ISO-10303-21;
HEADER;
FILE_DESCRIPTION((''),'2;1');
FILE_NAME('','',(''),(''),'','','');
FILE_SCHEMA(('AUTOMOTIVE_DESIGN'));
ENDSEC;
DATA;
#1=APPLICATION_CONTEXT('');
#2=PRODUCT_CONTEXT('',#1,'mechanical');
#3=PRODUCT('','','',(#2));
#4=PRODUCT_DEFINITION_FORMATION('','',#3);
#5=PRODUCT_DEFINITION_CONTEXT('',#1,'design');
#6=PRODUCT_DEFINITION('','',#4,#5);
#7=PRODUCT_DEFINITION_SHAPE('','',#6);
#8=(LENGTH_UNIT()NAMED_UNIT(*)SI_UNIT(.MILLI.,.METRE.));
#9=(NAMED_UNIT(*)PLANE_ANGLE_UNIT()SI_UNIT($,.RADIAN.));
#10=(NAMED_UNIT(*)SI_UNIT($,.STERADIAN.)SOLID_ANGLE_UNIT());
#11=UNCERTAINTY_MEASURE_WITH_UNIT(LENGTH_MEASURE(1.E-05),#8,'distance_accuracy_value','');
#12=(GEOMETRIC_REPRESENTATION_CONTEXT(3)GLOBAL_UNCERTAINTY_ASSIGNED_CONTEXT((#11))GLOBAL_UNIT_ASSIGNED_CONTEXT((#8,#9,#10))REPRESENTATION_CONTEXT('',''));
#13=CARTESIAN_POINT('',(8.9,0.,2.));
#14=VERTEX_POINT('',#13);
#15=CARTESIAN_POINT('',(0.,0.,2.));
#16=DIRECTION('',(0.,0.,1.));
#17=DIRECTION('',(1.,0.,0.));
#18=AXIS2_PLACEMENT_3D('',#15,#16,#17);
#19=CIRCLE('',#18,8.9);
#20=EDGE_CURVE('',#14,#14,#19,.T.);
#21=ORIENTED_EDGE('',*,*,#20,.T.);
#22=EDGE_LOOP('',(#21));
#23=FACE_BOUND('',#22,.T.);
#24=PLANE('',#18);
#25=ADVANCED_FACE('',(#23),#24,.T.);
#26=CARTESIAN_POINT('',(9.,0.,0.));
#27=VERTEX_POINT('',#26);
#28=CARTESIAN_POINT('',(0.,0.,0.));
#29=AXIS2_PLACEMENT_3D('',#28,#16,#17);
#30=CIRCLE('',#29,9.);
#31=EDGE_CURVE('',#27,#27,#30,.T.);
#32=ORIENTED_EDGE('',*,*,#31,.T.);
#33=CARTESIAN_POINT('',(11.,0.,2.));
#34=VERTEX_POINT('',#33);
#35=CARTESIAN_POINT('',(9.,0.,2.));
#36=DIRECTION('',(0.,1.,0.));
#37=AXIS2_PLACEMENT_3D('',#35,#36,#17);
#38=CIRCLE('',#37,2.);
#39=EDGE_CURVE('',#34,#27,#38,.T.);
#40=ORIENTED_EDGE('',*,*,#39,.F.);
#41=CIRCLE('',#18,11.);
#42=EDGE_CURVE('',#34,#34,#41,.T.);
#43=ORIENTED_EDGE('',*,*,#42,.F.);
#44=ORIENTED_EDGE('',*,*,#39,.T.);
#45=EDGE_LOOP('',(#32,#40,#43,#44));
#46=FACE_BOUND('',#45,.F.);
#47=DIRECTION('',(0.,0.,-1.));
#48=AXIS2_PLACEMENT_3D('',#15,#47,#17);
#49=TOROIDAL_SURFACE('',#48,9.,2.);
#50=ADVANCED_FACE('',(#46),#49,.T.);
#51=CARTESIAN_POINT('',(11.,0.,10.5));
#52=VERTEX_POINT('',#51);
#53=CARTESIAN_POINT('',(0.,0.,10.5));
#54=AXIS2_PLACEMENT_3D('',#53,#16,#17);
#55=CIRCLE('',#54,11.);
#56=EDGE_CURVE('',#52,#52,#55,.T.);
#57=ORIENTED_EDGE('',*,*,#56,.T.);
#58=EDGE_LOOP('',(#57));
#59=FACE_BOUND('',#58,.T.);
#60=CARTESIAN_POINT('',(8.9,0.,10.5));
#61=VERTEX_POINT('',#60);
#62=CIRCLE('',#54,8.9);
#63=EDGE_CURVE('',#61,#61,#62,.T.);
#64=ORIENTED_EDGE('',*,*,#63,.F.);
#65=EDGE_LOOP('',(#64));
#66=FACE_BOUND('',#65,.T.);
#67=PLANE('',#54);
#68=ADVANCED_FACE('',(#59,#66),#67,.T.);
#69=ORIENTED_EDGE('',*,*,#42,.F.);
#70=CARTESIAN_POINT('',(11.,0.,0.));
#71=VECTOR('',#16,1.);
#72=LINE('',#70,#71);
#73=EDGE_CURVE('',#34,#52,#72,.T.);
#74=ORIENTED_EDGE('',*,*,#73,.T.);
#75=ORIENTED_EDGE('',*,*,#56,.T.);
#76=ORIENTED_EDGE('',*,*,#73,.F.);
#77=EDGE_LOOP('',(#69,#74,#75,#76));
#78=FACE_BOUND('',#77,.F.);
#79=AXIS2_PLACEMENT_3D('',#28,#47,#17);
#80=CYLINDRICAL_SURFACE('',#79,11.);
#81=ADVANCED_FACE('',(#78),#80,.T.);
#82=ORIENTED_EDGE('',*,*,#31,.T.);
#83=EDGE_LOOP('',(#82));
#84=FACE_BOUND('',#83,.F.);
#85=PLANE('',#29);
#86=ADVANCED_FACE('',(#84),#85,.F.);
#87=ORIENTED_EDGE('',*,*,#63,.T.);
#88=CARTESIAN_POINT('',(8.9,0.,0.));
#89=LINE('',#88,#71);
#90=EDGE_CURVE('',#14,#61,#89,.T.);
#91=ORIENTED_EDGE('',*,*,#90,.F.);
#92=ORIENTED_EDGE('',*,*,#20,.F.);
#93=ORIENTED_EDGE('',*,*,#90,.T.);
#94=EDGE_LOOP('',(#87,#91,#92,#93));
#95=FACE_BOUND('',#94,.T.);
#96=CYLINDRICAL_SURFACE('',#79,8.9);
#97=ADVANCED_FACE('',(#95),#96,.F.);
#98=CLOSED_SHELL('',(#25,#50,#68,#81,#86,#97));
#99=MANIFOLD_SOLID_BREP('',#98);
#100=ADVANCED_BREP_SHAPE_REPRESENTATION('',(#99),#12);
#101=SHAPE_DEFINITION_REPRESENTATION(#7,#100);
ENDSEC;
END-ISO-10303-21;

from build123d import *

# Parameters (mm, degrees)
F0_R     = 8.9
F1_DEPTH = 2
F0_R_2   = 11
F2_DEPTH = 10.5
F3_R     = 2


with BuildPart() as f1:
    # F0 (on Top) → F1 (new body)
    with BuildSketch(Plane.XY):
        Circle(F0_R)
    extrude(amount=F1_DEPTH)

    # F0 (on Top) → F2 (join)
    with BuildSketch(Plane.XY):
        Circle(F0_R_2)
        Circle(F0_R, mode=Mode.SUBTRACT)
    extrude(amount=F2_DEPTH)

    # F3
    f3_edges = [f1.edges().sort_by_distance(p)[0] for p in [
        (-11, 0, 0),
    ]]
    fillet(f3_edges, radius=F3_R)


solid = f1.part
